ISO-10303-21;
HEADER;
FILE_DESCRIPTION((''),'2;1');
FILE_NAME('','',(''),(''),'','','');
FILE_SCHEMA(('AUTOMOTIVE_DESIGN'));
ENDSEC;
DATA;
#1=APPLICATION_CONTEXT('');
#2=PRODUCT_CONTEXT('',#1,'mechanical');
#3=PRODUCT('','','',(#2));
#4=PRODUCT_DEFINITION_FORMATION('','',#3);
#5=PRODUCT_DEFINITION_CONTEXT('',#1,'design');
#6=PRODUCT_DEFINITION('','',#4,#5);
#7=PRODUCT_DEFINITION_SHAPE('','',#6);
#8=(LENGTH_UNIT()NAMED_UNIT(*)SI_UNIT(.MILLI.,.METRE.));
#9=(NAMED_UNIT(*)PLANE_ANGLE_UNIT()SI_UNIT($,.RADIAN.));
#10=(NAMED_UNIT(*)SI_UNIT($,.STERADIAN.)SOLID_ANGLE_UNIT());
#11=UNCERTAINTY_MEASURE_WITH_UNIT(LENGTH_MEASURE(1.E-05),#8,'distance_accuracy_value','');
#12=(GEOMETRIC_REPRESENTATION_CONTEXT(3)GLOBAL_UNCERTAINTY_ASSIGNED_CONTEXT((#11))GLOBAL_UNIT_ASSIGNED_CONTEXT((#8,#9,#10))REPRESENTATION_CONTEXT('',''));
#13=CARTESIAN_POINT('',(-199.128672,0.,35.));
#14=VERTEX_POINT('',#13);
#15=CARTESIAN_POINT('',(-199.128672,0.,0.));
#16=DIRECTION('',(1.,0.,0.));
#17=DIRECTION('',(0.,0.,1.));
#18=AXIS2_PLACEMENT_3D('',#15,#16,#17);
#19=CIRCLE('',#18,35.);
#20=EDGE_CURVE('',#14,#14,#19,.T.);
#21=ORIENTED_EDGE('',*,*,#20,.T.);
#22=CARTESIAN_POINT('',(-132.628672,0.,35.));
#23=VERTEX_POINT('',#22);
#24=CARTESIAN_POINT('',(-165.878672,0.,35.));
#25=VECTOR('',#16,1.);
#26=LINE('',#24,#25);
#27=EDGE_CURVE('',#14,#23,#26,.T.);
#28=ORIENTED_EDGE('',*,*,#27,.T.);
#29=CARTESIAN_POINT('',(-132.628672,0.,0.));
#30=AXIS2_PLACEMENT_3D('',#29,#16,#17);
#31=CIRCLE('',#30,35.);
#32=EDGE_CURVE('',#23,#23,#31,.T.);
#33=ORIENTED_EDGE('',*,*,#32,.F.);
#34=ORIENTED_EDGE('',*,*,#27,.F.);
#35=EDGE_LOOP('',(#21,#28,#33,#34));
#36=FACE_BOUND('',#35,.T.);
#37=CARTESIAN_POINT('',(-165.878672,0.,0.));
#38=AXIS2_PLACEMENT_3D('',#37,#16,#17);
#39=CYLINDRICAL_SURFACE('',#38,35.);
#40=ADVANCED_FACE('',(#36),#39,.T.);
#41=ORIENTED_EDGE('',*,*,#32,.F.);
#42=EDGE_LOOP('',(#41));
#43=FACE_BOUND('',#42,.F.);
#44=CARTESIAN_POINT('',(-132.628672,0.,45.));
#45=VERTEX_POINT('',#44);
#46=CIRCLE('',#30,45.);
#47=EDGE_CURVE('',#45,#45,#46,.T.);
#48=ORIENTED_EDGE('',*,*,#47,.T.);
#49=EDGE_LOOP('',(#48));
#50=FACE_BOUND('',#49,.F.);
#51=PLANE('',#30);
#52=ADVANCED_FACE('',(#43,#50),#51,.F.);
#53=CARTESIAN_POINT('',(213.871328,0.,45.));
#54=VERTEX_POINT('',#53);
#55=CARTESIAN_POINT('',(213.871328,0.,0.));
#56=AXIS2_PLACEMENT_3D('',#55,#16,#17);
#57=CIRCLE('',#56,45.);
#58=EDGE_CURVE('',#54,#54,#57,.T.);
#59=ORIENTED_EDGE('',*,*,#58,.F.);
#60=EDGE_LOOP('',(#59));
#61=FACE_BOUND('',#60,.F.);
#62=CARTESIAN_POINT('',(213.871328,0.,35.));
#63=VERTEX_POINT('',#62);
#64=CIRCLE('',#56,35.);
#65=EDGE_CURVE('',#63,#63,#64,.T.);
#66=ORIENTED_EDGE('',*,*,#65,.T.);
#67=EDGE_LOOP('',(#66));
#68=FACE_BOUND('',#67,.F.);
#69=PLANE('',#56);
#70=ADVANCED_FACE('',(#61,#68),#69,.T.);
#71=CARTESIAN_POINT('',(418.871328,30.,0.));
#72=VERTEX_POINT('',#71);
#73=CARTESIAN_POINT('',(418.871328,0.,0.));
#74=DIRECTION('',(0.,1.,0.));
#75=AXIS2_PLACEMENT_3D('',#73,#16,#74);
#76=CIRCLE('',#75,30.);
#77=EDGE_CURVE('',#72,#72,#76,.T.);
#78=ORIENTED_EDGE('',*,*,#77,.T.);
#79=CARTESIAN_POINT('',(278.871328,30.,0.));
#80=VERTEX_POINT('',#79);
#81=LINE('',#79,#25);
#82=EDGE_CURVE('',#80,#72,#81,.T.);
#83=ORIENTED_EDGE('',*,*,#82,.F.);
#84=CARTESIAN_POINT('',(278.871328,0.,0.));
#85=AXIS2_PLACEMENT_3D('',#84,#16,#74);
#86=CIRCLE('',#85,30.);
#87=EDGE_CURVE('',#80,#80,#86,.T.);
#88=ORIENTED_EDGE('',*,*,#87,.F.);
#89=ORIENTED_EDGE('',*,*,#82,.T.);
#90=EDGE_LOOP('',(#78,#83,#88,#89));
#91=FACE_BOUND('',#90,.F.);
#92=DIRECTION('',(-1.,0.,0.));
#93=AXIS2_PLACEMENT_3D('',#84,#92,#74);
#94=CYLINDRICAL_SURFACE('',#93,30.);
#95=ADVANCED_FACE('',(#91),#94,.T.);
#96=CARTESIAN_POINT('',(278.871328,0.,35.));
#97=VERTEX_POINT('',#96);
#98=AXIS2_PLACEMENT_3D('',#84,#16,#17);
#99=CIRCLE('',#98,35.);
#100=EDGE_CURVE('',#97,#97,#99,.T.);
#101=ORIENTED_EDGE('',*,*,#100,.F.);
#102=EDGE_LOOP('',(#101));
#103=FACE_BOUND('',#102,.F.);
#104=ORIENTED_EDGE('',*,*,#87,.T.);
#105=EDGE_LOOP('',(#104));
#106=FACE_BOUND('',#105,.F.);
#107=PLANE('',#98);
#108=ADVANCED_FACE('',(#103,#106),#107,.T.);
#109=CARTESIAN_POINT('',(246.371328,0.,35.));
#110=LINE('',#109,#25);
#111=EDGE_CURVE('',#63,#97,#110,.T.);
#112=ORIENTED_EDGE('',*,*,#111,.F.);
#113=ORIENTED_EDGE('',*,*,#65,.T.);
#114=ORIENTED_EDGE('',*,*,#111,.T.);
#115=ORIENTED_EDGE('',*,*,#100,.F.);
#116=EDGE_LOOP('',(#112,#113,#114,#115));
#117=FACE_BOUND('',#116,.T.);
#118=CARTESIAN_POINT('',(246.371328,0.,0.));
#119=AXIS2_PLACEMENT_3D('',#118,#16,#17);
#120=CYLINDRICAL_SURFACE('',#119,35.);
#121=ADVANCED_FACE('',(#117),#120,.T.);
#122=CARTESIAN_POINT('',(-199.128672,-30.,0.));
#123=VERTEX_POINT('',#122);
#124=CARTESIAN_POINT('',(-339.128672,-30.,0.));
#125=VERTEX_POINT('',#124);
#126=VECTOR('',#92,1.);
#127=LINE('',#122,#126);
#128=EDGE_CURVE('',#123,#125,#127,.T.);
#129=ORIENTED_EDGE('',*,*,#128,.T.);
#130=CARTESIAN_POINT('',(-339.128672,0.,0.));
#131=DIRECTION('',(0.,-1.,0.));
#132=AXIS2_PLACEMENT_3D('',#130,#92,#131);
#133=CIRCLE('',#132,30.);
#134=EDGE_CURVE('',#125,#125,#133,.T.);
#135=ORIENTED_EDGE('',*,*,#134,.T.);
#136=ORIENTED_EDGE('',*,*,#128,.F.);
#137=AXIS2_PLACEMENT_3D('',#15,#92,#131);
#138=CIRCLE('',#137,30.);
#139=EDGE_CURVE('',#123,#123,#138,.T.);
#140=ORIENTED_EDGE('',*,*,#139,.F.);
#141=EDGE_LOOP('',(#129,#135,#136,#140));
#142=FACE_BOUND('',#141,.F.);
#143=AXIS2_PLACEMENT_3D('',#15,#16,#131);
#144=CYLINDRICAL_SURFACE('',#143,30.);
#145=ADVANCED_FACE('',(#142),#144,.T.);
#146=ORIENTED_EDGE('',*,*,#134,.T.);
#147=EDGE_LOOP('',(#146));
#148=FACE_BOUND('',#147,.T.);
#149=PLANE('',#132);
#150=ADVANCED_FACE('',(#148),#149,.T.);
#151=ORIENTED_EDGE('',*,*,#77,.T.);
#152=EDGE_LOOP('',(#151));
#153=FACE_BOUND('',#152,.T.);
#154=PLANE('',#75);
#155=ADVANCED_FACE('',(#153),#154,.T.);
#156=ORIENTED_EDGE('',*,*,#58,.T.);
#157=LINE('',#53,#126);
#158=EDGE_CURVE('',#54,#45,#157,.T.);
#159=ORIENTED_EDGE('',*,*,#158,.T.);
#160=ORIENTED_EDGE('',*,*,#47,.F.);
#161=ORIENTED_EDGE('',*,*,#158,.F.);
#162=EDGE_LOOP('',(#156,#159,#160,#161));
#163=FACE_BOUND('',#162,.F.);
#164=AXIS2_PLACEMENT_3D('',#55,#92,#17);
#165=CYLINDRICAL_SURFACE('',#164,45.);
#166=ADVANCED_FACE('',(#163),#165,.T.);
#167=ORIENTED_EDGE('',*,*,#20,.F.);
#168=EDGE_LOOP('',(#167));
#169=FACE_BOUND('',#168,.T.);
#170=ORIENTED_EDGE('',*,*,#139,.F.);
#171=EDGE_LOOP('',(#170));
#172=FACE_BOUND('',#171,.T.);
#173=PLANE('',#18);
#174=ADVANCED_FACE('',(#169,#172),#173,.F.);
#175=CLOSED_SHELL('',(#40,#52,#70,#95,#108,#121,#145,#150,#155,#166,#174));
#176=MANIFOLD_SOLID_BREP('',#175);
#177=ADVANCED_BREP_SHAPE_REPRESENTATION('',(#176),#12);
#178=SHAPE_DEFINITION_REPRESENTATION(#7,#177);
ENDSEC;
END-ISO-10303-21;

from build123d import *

# Parameters (mm, degrees)
F0_W     = 66.5
F0_H     = 35
F0_W_2   = 65
F2_R     = 30
F3_DEPTH = 140
F4_R     = 30
F5_DEPTH = 140


with BuildPart() as f1:
    # F0 (on Front) → F1 (revolve)
    with BuildSketch(Plane.XZ):
        with Locations((-165.878672, 17.5)):
            Rectangle(F0_W, F0_H)
        Polygon((-132.628672, 35), (-132.628672, 0), (213.871328, 0), (213.871328, 35), (213.871328, 45), (-132.628672, 45), align=None)
        with Locations((246.371328, 17.5)):
            Rectangle(F0_W_2, F0_H)
    revolve(axis=Axis((40.621328, 0, 0), (1, 0, 0)))

    # F2 (on face) → F3 (join)
    with BuildSketch(Plane(origin=(-199.128672, 0, 0), x_dir=(0, -1, 0), z_dir=(-1, 0, 0))):
        Circle(F2_R)
    extrude(amount=F3_DEPTH)

    # F4 (on face) → F5 (join)
    with BuildSketch(Plane.YZ.offset(278.871328)):
        Circle(F4_R)
    extrude(amount=F5_DEPTH)


solid = f1.part
